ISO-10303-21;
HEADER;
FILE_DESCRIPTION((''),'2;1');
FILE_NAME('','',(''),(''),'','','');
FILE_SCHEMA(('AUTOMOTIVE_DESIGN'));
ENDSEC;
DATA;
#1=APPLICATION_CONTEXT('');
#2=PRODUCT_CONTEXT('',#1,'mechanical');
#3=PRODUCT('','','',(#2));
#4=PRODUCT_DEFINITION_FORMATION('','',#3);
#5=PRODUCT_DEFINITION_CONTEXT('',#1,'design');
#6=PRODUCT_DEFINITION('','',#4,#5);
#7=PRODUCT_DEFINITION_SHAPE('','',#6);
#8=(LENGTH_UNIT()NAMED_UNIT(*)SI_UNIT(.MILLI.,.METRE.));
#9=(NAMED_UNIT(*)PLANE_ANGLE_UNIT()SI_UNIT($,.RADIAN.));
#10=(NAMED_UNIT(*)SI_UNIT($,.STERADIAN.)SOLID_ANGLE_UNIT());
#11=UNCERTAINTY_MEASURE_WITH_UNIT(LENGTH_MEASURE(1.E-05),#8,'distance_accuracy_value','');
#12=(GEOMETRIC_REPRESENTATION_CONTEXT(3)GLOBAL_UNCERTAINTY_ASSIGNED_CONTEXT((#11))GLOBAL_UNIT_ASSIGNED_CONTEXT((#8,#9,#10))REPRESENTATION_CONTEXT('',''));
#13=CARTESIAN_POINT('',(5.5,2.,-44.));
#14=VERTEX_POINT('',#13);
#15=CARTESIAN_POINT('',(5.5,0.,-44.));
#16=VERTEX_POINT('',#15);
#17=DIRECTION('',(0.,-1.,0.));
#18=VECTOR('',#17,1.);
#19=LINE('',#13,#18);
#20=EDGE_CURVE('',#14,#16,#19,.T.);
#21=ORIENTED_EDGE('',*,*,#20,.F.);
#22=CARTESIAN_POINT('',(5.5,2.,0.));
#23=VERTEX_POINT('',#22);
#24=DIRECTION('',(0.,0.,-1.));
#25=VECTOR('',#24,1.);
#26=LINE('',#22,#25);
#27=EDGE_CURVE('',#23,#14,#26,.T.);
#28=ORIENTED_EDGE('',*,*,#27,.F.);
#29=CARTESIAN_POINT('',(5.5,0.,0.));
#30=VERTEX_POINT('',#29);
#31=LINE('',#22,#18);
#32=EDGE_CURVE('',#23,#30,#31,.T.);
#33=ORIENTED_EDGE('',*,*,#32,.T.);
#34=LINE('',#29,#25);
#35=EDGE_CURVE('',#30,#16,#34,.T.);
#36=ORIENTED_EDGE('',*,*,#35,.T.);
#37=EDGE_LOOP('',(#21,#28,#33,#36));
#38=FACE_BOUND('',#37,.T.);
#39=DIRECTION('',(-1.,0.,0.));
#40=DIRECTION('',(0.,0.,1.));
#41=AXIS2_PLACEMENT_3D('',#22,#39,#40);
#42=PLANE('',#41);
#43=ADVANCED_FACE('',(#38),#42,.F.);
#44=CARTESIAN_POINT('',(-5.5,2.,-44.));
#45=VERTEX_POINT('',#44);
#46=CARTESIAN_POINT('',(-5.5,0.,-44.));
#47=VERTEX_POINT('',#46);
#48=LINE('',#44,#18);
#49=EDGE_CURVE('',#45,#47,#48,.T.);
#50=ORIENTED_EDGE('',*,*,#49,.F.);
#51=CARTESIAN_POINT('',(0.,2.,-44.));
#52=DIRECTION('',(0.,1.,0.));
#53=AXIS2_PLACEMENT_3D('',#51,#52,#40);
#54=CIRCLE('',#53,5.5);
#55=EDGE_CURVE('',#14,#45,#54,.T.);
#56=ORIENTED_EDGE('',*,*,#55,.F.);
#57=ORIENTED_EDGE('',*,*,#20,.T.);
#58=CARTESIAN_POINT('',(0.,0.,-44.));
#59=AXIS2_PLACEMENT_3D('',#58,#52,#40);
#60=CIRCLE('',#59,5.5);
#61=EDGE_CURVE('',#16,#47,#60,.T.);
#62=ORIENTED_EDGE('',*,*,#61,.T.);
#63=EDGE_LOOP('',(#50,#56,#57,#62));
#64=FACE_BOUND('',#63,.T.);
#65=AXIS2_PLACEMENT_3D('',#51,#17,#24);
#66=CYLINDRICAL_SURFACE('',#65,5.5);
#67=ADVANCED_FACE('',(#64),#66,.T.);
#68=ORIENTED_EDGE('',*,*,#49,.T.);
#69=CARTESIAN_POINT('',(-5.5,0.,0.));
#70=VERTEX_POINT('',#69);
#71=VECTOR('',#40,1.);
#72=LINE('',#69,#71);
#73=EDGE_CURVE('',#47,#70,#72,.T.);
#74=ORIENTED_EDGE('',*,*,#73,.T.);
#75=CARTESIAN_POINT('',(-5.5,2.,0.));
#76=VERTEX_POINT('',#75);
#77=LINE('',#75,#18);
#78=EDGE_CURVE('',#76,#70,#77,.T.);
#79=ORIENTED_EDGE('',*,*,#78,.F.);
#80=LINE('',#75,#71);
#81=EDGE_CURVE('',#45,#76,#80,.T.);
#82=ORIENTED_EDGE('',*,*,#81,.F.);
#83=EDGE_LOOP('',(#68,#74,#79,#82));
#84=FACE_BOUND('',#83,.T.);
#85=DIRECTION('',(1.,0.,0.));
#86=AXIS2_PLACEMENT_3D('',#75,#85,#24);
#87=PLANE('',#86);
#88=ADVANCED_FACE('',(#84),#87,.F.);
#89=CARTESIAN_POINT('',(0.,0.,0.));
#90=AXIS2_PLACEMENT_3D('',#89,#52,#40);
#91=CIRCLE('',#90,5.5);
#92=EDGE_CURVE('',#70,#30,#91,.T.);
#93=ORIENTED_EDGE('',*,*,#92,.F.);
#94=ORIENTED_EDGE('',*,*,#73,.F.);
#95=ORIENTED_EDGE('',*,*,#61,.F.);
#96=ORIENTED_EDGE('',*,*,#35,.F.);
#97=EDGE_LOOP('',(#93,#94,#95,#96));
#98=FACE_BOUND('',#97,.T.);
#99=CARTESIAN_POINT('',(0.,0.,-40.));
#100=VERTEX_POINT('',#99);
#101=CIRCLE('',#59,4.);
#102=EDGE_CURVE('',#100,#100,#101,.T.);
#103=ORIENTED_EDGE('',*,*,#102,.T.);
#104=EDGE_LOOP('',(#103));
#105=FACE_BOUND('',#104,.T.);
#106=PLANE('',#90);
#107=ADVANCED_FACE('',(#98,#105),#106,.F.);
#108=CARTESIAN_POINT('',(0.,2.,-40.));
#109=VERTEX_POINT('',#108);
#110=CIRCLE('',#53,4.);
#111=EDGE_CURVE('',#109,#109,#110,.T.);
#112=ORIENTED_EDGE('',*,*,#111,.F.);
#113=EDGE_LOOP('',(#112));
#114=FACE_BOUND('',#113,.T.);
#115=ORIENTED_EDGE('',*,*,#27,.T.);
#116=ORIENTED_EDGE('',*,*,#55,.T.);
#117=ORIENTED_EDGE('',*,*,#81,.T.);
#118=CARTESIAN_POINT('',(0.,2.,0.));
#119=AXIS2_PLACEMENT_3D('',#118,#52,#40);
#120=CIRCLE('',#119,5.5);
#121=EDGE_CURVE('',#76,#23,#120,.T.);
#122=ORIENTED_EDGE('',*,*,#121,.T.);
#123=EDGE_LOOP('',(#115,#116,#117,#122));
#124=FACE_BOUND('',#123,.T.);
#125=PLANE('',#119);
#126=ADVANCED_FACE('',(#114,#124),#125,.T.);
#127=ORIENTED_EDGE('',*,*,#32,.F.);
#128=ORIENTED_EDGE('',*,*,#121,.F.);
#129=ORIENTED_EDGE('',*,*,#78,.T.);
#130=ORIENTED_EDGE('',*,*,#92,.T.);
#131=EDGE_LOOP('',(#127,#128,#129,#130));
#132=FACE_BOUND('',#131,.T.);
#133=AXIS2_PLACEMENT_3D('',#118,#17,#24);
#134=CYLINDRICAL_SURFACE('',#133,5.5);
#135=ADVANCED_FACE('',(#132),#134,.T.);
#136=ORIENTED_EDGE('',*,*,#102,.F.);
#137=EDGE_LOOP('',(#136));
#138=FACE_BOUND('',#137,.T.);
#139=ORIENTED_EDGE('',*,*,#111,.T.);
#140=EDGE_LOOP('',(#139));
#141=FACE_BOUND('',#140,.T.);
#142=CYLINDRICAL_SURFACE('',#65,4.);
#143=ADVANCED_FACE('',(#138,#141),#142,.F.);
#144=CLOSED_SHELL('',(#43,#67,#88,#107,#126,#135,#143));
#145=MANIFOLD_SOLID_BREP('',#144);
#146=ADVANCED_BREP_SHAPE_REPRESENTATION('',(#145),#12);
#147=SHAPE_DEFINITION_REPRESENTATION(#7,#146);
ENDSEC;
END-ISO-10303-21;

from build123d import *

# Parameters (mm, degrees)
SKETCH2_R           = 4
BOSS_EXTRUDE1_DEPTH = 2


with BuildPart() as part:
    # Sketch2 → Boss-Extrude1 (new body)
    with BuildSketch(Plane(origin=(0, 0, 0), x_dir=(1, 0, 0), z_dir=(0, 1, 0))):
        with BuildLine():
            Line((-5.5, 0), (-5.5, 44))
            ThreePointArc((-5.5, 44), (0, 49.5), (5.5, 44))
            Line((5.5, 44), (5.5, 0))
            ThreePointArc((5.5, 0), (0, -5.5), (-5.5, 0))
        make_face()
        with Locations(Location((0, 44, 0), (0, 0, 270))):
            Circle(SKETCH2_R, mode=Mode.SUBTRACT)
    extrude(amount=BOSS_EXTRUDE1_DEPTH)


solid = part.part
